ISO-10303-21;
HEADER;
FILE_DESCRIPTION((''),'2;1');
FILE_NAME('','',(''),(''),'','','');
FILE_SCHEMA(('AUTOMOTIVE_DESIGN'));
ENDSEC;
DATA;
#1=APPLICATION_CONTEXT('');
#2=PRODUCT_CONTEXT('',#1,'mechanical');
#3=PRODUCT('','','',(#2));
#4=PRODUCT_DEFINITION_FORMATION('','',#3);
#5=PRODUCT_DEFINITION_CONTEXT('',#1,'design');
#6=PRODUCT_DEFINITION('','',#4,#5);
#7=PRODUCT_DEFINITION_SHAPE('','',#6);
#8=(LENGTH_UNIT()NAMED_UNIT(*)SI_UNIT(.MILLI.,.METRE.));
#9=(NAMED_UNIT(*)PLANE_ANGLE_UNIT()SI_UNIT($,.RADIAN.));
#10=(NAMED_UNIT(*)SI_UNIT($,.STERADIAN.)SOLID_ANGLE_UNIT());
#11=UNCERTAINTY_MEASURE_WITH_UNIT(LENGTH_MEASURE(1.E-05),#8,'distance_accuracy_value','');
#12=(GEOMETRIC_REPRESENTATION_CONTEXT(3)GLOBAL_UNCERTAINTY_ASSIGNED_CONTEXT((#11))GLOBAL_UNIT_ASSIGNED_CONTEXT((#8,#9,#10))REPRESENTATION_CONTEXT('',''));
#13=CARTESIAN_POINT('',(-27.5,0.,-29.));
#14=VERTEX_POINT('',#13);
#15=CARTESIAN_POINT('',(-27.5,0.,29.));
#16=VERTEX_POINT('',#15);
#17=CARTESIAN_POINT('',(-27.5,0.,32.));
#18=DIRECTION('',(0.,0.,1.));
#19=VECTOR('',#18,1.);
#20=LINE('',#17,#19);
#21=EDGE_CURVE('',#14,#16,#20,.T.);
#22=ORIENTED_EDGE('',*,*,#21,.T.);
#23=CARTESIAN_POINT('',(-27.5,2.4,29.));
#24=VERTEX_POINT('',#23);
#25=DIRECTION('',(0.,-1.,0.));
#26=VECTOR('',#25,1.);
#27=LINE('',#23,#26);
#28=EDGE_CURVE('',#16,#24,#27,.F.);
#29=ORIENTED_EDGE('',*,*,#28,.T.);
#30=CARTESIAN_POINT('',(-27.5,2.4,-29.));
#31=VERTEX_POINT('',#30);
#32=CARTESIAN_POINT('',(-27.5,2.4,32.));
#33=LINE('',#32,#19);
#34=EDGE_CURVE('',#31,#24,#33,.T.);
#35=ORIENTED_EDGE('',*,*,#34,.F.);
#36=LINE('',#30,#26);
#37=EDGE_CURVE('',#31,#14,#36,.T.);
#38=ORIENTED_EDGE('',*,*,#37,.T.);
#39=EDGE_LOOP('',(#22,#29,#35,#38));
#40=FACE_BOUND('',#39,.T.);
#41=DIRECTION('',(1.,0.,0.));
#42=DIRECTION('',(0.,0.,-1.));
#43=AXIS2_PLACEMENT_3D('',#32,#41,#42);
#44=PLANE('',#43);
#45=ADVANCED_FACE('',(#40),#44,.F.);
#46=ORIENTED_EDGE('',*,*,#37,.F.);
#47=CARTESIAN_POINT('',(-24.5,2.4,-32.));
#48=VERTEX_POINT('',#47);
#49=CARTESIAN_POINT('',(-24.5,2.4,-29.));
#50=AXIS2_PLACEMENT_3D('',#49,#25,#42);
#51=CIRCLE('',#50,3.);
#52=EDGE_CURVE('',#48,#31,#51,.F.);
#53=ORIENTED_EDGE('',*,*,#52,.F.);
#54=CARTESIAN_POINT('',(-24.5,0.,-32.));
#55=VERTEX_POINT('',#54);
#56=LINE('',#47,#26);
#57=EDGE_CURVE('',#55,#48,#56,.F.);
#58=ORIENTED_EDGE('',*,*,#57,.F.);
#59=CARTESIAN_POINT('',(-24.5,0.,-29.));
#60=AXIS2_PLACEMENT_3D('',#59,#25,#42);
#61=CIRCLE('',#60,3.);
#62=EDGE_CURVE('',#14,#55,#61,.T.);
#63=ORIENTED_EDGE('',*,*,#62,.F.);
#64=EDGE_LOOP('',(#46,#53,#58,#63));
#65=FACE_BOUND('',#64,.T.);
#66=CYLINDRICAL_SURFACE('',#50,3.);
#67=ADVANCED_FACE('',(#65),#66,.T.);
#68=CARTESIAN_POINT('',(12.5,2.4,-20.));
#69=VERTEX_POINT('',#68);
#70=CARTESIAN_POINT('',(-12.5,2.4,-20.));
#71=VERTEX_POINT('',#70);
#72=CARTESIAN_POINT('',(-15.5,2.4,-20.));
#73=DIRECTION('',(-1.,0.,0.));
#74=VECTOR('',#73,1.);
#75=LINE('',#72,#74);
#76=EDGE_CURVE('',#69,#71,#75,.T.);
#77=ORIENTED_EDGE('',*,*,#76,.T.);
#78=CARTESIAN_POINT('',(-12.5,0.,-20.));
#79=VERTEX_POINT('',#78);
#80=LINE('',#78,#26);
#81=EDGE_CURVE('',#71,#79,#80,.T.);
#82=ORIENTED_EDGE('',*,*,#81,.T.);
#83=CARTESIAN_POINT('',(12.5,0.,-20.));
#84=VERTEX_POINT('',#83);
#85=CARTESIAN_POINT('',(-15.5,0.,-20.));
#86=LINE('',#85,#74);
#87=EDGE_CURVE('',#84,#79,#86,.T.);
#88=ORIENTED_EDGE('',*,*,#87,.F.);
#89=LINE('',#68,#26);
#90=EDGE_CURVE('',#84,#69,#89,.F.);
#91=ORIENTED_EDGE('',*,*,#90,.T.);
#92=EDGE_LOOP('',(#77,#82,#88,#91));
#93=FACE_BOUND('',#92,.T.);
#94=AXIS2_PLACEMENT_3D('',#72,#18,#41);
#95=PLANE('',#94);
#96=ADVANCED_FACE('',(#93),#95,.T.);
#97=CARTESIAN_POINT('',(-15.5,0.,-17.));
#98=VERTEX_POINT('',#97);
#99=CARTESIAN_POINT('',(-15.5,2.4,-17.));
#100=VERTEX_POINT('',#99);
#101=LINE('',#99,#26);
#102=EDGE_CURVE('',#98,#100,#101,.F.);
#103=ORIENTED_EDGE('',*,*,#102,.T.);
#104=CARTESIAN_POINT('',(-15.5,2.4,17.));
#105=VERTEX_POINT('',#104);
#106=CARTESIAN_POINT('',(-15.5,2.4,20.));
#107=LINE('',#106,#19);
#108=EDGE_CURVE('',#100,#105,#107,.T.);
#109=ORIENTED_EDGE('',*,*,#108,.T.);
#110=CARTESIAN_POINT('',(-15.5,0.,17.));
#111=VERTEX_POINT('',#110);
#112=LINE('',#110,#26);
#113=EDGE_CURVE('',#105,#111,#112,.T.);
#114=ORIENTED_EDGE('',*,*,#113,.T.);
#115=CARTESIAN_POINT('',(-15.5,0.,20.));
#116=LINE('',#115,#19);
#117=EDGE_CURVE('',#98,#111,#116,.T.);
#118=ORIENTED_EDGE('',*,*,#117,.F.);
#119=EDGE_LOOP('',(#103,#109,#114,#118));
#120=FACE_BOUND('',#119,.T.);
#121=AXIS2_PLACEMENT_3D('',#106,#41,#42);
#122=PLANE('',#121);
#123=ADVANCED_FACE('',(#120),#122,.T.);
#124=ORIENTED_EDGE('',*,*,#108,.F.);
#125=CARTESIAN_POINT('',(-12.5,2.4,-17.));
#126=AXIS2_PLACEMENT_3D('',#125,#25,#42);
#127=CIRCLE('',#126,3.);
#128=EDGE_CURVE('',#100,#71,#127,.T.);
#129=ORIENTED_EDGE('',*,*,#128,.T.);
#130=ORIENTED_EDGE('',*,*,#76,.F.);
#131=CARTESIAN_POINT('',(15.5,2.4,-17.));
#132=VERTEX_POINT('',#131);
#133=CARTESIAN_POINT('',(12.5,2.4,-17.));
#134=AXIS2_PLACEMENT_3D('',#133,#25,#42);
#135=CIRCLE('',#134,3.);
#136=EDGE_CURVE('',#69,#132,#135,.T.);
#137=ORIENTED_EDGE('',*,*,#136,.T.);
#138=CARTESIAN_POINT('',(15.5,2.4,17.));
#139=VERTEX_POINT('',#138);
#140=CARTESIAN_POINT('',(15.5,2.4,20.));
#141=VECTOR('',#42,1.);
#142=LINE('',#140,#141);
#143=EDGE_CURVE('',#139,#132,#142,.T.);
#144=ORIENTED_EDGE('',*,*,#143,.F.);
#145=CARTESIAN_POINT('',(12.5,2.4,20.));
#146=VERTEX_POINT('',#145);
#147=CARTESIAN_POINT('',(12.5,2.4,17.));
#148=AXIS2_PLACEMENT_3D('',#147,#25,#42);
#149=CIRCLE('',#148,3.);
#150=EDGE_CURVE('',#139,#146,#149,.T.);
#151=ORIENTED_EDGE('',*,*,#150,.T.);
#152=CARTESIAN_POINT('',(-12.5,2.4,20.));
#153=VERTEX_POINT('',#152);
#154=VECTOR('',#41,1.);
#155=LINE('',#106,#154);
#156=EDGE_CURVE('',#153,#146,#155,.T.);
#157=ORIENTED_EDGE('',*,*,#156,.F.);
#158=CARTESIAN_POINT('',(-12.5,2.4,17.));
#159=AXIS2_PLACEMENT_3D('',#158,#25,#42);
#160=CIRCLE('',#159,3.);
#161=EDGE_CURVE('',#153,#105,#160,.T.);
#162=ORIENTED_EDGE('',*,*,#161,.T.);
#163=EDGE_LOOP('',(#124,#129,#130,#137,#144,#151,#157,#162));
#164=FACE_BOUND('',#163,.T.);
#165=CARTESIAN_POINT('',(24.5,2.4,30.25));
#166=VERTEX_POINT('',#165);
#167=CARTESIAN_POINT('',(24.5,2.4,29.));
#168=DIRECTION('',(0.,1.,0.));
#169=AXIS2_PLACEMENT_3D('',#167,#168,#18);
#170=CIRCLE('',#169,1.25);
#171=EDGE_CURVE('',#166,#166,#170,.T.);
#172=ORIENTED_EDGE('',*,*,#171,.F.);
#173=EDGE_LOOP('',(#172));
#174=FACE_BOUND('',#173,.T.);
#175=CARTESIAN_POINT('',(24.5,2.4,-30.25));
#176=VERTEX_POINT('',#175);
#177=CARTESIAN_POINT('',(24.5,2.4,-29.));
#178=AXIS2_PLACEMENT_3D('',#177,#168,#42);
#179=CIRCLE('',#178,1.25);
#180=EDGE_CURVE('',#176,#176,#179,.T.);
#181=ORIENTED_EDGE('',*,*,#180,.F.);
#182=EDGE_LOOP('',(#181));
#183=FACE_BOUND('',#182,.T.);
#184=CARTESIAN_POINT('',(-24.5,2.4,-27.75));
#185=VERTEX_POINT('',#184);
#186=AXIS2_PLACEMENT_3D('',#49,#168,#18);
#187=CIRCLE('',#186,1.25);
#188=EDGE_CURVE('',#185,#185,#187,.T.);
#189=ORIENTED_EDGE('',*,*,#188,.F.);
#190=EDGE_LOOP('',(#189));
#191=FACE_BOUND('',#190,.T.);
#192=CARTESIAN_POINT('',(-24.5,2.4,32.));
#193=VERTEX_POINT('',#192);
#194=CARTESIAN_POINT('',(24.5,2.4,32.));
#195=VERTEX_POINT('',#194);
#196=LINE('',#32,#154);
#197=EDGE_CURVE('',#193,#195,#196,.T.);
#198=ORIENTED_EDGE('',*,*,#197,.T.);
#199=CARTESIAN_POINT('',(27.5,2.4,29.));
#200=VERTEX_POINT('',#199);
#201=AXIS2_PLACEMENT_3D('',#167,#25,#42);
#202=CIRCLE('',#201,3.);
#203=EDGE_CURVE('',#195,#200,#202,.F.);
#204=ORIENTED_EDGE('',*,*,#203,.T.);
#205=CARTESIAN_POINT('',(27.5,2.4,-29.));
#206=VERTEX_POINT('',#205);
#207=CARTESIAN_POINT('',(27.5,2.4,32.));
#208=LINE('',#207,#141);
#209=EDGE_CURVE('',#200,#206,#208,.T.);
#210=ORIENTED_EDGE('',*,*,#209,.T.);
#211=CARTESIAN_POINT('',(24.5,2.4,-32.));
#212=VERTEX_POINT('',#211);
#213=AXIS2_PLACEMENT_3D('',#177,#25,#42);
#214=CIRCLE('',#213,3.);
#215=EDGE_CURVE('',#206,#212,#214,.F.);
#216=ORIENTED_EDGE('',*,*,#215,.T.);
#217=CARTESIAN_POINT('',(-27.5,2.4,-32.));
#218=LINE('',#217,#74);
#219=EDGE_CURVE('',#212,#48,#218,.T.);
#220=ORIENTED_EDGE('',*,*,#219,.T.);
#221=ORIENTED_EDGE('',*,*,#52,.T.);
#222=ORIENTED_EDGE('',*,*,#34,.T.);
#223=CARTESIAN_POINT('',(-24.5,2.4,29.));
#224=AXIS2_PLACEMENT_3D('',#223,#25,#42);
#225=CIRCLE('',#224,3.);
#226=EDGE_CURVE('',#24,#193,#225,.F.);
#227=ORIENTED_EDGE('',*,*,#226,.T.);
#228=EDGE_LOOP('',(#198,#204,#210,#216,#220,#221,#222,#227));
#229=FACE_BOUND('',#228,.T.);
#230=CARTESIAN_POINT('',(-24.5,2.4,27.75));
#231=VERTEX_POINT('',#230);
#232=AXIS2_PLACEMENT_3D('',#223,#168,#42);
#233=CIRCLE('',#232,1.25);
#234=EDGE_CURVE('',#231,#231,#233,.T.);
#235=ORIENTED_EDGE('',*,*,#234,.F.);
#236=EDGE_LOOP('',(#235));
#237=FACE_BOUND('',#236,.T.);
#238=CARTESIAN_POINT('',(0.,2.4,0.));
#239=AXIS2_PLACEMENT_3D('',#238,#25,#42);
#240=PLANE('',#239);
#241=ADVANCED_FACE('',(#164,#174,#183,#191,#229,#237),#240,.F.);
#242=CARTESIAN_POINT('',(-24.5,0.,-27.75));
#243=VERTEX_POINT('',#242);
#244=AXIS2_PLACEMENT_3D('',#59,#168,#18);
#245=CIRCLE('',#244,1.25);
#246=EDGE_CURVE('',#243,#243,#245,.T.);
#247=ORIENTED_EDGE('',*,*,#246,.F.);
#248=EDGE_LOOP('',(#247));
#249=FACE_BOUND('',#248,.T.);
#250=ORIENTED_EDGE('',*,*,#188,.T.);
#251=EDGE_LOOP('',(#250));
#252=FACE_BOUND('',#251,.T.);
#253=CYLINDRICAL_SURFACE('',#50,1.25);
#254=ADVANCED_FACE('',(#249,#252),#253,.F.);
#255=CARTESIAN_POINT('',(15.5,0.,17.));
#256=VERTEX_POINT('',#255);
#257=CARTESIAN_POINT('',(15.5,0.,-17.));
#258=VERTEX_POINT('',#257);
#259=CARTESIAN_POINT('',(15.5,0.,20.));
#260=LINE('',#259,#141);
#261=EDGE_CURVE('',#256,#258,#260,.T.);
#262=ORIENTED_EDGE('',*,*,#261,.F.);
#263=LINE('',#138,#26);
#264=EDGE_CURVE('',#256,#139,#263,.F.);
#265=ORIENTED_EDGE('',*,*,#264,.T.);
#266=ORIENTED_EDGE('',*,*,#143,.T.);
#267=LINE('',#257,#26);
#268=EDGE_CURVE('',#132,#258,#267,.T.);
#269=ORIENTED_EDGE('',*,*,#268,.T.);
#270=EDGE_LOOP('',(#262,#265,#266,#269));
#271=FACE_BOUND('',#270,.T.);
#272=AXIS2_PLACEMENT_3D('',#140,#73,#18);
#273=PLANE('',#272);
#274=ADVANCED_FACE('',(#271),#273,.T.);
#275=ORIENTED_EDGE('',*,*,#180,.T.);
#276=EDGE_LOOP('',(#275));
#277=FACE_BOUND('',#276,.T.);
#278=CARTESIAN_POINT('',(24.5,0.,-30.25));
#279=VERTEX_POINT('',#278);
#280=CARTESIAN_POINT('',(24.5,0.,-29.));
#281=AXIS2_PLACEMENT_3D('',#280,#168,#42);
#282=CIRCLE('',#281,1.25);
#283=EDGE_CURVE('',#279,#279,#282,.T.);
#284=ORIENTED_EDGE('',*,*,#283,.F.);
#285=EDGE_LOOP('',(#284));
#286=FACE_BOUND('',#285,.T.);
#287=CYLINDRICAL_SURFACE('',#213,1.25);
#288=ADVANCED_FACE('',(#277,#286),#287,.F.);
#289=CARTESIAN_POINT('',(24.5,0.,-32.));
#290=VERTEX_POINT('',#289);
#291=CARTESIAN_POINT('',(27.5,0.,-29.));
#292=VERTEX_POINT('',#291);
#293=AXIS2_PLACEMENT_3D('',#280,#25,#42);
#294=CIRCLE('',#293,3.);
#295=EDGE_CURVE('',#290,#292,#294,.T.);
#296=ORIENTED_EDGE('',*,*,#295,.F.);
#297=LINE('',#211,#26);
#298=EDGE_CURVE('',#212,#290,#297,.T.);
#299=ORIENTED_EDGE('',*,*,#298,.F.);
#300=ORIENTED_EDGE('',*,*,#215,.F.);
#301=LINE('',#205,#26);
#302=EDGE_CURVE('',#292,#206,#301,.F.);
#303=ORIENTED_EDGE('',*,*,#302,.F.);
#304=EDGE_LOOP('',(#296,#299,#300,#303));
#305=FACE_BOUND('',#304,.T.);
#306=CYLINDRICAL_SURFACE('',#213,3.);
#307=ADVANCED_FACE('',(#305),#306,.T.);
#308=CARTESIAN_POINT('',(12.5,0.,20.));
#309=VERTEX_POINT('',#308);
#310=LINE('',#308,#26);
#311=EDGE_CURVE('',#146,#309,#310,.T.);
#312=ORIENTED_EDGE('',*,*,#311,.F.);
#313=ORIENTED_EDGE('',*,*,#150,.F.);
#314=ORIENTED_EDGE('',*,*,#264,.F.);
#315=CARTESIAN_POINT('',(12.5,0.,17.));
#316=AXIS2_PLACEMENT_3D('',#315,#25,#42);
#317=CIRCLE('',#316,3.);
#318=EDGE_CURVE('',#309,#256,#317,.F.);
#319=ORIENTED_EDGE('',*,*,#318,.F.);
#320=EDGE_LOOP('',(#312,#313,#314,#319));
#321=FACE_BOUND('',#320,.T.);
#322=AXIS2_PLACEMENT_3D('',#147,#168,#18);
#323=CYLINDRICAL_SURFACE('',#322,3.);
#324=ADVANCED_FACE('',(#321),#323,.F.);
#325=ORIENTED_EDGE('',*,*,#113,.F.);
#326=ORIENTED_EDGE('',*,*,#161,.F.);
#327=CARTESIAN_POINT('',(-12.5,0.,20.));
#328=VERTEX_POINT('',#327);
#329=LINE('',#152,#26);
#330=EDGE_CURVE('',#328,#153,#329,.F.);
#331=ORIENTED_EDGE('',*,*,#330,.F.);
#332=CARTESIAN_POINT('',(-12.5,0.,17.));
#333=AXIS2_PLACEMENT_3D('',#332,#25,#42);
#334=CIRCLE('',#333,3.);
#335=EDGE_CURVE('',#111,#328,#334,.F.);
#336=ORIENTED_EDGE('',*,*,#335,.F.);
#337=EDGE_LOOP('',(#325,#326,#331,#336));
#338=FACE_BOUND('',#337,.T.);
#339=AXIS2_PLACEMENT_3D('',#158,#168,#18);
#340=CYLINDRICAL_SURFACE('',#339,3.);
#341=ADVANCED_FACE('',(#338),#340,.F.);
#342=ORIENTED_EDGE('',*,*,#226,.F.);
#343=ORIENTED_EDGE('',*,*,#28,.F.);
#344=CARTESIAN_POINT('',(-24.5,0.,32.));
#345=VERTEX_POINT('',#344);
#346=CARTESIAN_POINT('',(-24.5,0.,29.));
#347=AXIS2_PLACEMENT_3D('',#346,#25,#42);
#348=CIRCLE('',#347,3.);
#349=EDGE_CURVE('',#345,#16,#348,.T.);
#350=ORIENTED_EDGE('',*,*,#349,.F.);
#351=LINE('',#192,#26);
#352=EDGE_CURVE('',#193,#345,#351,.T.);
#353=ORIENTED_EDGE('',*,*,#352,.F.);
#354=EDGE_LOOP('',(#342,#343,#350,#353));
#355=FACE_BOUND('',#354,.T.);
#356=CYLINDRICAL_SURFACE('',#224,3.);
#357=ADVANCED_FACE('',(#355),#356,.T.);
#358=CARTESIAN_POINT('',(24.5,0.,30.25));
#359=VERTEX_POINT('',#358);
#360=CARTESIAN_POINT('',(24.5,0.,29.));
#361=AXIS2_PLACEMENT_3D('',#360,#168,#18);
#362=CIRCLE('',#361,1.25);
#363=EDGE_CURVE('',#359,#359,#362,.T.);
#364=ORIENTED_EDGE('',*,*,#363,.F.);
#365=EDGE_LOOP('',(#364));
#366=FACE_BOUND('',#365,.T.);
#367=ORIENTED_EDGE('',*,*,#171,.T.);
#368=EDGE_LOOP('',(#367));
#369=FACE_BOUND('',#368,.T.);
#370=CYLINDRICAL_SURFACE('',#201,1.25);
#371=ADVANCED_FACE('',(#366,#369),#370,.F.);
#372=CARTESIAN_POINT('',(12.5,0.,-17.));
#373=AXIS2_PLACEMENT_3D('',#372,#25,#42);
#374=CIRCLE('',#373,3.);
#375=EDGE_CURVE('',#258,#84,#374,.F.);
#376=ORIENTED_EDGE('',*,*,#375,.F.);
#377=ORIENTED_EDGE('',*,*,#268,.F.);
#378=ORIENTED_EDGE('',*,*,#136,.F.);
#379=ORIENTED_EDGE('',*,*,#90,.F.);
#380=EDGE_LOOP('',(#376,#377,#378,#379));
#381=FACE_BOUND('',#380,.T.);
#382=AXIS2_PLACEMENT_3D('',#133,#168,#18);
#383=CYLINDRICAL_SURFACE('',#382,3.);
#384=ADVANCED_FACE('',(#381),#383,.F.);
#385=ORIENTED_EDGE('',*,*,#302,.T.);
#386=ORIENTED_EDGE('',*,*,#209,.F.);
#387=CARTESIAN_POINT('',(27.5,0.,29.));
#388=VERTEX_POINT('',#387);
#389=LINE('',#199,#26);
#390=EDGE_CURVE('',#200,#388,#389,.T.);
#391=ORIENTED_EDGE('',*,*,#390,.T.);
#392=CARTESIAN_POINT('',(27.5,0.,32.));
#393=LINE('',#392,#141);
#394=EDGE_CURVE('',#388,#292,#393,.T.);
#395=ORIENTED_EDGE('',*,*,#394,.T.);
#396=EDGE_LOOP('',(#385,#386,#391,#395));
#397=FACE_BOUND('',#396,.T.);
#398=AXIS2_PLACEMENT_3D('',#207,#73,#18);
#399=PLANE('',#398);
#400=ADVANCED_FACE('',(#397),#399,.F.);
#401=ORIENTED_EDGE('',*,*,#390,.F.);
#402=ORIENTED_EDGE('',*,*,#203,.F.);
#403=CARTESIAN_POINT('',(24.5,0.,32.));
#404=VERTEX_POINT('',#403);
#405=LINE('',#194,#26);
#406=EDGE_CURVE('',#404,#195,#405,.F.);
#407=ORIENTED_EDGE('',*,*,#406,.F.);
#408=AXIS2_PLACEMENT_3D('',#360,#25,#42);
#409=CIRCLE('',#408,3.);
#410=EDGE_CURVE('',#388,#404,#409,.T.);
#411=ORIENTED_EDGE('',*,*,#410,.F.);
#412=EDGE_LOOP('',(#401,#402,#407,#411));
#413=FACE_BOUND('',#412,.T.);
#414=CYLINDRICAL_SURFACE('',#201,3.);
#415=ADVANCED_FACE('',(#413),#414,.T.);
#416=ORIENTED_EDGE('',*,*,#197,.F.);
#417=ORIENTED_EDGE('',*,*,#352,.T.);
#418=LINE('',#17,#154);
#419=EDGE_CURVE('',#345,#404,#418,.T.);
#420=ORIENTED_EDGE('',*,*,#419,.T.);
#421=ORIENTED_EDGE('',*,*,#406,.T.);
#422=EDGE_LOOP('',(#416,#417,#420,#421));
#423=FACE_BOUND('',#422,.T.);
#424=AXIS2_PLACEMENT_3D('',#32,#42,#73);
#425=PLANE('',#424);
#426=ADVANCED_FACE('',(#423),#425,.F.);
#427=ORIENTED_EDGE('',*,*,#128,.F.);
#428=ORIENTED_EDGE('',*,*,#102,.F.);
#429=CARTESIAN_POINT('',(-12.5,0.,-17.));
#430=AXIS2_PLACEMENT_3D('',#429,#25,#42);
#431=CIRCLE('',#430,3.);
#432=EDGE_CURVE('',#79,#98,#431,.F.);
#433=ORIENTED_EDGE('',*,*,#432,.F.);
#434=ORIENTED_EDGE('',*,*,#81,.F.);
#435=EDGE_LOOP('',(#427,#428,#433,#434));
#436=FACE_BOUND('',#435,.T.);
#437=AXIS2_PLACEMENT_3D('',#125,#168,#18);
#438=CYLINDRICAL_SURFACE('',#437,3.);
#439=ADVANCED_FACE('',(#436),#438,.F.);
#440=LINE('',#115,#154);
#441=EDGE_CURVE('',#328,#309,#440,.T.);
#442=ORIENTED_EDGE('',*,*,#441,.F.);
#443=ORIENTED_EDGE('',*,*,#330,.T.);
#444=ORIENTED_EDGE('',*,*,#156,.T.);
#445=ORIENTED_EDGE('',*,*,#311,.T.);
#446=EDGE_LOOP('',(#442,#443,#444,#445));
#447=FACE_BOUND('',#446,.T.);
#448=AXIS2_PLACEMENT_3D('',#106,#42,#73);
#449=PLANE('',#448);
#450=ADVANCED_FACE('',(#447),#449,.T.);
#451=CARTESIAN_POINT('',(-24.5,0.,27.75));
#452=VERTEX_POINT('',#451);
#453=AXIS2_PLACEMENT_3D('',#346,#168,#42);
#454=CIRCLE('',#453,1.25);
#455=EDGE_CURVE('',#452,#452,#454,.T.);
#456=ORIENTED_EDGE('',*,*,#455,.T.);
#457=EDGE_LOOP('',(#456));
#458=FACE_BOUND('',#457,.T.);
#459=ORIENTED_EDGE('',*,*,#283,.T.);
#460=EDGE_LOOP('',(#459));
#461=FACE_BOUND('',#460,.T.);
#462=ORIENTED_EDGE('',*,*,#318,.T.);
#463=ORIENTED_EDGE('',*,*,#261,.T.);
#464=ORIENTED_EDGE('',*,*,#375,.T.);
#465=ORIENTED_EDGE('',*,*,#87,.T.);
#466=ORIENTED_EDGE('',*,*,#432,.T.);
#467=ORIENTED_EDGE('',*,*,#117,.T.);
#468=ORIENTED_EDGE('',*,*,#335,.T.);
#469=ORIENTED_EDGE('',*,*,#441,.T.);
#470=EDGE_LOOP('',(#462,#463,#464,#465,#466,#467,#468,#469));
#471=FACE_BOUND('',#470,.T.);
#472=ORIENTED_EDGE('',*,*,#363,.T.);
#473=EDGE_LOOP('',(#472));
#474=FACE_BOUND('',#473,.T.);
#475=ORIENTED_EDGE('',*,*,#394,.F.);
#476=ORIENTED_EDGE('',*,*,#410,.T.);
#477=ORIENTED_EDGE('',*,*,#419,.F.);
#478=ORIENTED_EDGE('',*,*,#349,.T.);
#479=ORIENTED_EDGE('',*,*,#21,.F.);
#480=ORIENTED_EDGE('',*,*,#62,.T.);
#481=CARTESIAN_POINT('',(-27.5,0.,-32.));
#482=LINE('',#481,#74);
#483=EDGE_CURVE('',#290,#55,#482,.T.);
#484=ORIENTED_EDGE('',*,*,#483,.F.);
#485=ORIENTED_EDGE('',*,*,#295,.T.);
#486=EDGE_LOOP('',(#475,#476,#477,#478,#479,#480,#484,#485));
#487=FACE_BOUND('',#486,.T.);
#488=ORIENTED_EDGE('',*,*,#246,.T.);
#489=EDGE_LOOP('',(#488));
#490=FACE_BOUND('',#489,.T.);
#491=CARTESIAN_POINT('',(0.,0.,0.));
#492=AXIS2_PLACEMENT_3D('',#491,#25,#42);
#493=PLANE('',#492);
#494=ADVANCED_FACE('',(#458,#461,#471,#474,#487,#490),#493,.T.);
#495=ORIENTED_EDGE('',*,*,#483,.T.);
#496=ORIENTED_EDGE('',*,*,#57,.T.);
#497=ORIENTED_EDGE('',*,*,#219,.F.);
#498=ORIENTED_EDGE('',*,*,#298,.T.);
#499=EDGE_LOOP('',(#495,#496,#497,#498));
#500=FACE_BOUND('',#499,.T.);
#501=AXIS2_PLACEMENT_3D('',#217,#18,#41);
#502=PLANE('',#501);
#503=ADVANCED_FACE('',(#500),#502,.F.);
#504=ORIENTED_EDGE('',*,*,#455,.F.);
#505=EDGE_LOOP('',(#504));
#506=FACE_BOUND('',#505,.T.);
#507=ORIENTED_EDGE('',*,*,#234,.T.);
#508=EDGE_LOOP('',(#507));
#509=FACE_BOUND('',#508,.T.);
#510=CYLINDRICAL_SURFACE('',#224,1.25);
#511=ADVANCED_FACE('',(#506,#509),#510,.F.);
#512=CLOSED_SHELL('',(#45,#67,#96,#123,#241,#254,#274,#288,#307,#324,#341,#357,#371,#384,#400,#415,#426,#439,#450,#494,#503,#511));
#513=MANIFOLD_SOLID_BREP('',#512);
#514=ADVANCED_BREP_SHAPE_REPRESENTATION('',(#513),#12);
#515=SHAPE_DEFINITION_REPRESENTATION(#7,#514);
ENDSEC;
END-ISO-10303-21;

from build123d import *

# Parameters (mm, degrees)
SKETCH_1_W      = 55
SKETCH_1_H      = 64
SKETCH_1_R      = 1.25
SKETCH_1_W_2    = 31
SKETCH_1_H_2    = 40
EXTRUDE_1_DEPTH = 2.4
FILLET_1_R      = 3


with BuildPart() as part:
    # 草图1 → 凸台-拉伸1 (new body)
    with BuildSketch(Plane(origin=(0, 0, 0), x_dir=(1, 0, 0), z_dir=(0, 1, 0))):
        Rectangle(SKETCH_1_W, SKETCH_1_H)
        with Locations(Location((-24.5, 29, 0), (0, 0, 270))):
            Circle(SKETCH_1_R, mode=Mode.SUBTRACT)
        with Locations(Location((24.5, 29, 0), (0, 0, 90))):
            Circle(SKETCH_1_R, mode=Mode.SUBTRACT)
        with Locations(Location((24.5, -29, 0), (0, 0, 270))):
            Circle(SKETCH_1_R, mode=Mode.SUBTRACT)
        with Locations(Location((-24.5, -29, 0), (0, 0, 90))):
            Circle(SKETCH_1_R, mode=Mode.SUBTRACT)
        Rectangle(SKETCH_1_W_2, SKETCH_1_H_2, mode=Mode.SUBTRACT)
    extrude(amount=EXTRUDE_1_DEPTH)

    # 圆角1
    fillet_1_edges = [part.edges().sort_by_distance(p)[0] for p in [
        (-15.5, 1.2, 20),
        (15.5, 1.2, 20),
        (15.5, 1.2, -20),
        (-15.5, 1.2, -20),
        (27.5, 1.2, 32),
        (-27.5, 1.2, 32),
        (-27.5, 1.2, -32),
        (27.5, 1.2, -32),
    ]]
    fillet(fillet_1_edges, radius=FILLET_1_R)


solid = part.part
